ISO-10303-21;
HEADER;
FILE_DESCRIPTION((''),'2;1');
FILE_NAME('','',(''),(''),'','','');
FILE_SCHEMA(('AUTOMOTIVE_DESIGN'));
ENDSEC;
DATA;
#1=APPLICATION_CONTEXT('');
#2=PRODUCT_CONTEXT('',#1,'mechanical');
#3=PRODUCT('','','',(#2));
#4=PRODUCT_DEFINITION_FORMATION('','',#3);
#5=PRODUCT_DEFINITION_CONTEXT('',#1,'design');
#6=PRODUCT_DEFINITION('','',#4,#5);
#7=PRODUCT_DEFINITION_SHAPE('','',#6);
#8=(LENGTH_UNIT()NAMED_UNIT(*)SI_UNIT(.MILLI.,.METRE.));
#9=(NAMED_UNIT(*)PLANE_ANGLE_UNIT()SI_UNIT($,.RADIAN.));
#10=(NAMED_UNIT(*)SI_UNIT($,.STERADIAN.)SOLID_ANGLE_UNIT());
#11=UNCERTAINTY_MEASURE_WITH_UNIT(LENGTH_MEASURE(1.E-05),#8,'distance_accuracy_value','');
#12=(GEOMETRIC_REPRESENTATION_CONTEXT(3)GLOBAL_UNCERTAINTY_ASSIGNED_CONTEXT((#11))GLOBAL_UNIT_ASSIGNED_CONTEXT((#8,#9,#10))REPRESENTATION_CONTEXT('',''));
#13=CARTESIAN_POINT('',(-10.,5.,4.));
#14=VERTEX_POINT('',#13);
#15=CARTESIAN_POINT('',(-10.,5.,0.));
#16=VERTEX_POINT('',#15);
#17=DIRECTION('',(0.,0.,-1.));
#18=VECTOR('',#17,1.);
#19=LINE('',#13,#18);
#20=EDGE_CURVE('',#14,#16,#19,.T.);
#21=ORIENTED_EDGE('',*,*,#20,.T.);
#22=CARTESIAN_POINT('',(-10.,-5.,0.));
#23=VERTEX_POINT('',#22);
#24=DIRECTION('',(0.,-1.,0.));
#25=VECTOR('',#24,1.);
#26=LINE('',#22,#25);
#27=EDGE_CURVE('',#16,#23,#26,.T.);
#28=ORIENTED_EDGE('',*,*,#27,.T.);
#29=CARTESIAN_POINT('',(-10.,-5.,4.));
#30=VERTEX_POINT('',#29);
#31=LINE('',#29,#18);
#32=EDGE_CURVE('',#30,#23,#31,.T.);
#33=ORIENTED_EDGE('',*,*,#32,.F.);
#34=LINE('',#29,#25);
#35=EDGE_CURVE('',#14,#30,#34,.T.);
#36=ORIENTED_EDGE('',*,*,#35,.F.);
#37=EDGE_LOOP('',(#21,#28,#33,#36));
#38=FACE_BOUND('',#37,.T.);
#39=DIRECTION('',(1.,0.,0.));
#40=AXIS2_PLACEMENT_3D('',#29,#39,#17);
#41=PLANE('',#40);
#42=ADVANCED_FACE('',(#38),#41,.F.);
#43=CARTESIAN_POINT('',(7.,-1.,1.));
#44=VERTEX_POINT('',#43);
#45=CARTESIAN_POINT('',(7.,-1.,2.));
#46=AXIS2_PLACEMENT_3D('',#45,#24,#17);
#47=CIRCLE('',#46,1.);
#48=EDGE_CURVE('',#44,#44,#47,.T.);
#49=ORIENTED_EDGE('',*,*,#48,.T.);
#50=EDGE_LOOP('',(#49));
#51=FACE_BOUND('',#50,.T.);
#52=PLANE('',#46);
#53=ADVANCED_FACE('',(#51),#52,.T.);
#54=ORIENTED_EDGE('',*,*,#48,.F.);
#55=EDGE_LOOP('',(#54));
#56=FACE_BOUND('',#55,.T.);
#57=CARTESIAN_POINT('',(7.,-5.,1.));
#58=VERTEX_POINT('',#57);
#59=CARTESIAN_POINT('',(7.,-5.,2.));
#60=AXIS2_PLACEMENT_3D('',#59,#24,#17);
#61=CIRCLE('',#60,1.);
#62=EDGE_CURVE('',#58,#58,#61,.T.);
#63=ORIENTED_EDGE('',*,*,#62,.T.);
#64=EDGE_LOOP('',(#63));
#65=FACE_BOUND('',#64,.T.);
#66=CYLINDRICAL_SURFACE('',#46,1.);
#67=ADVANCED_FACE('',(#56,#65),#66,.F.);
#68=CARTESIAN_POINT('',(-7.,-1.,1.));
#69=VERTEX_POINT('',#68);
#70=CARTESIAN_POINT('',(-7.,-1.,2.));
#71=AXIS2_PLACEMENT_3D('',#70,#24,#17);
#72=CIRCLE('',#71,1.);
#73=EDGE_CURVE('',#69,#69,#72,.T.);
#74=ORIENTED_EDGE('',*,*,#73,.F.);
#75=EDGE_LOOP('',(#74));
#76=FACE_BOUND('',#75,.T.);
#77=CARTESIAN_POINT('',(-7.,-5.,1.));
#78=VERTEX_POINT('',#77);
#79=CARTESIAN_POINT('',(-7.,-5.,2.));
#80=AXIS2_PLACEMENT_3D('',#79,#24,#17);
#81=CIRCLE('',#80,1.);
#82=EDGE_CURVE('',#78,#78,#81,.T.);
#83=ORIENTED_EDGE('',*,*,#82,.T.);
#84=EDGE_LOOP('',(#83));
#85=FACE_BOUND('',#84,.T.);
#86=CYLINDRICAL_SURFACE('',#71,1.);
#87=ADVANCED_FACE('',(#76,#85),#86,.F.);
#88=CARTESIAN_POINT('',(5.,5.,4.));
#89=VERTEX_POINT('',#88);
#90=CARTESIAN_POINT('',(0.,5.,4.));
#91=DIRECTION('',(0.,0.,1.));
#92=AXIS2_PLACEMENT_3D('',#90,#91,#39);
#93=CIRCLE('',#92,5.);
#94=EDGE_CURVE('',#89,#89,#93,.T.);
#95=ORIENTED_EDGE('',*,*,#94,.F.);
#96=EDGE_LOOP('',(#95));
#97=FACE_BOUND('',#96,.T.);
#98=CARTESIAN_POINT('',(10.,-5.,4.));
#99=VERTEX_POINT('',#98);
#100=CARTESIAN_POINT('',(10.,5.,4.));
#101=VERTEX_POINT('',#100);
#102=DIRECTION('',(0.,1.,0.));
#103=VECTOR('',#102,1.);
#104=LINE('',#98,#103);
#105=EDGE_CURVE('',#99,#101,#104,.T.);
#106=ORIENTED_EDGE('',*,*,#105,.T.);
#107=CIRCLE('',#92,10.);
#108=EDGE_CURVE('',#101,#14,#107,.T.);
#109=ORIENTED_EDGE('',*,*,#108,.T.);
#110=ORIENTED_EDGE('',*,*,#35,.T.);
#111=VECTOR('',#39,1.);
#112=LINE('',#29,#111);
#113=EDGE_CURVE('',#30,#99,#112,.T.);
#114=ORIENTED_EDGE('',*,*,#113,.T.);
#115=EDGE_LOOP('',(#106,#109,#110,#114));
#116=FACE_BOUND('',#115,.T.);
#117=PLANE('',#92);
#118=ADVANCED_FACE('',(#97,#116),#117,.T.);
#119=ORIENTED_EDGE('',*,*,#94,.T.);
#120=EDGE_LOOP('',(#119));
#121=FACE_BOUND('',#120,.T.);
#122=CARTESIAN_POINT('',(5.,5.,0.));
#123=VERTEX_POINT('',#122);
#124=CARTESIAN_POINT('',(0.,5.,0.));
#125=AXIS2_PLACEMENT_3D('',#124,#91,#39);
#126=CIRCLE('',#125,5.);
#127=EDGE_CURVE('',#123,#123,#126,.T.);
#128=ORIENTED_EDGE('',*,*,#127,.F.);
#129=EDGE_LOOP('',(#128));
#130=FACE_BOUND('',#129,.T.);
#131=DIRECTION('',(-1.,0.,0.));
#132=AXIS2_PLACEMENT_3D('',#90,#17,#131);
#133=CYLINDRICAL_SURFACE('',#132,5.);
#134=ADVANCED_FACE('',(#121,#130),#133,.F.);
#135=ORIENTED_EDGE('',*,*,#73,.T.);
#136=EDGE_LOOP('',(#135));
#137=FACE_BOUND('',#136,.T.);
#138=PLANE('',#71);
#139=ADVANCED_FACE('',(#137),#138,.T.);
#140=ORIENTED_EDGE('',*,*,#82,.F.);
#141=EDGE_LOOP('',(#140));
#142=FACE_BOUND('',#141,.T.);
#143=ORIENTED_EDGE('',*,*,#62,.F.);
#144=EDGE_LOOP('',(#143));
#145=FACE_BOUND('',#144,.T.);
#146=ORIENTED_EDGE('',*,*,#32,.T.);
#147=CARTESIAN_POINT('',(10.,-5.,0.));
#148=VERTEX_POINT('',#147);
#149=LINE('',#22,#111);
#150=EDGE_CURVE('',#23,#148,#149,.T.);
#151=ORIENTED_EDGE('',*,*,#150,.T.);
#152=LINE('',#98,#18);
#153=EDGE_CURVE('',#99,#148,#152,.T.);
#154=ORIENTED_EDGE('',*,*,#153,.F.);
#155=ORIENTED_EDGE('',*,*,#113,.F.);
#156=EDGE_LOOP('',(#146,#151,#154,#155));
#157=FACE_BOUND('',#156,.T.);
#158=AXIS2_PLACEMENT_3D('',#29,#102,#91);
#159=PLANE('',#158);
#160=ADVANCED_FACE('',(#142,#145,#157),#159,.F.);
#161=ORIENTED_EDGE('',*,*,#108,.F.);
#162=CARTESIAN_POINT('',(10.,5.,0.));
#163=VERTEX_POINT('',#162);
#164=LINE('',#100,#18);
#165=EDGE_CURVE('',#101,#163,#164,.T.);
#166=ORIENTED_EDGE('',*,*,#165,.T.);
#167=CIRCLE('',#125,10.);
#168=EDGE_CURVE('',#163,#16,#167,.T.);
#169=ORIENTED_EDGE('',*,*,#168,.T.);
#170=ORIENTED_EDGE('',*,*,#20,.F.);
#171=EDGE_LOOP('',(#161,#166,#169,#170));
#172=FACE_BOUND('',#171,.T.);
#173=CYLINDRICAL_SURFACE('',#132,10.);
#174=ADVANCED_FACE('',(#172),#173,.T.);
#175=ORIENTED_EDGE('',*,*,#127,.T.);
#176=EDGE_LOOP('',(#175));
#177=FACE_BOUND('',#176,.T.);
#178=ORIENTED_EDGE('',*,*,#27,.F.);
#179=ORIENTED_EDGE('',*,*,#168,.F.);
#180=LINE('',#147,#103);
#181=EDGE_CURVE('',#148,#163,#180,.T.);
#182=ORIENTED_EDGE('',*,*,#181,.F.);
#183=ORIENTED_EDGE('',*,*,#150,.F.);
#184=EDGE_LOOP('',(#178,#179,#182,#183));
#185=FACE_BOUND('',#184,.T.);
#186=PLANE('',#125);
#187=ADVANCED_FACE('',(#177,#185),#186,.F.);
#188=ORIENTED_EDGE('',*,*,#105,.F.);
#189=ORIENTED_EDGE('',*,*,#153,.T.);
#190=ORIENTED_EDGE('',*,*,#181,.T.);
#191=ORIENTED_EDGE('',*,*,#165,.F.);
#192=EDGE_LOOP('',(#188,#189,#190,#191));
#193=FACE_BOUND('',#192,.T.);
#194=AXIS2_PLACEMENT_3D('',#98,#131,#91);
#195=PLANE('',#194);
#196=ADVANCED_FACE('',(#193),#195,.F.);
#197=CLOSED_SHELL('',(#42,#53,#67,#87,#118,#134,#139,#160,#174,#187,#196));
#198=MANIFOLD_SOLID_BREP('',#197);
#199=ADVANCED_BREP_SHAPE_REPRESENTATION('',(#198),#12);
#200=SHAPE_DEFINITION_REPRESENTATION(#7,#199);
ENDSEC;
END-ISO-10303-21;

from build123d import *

# Parameters (mm, degrees)
SKETCH1_R           = 5
BOSS_EXTRUDE1_DEPTH = 4
SKETCH2_R           = 1
CUT_EXTRUDE1_DEPTH  = 4


with BuildPart() as part:
    # Sketch1 → Boss-Extrude1 (new body)
    with BuildSketch(Plane.XY):
        with BuildLine():
            Line((-10, -5), (10, -5))
            Line((10, -5), (10, 5))
            ThreePointArc((10, 5), (0, 15), (-10, 5))
            Line((-10, 5), (-10, -5))
        make_face()
        with Locations((0, 5)):
            Circle(SKETCH1_R, mode=Mode.SUBTRACT)
    extrude(amount=BOSS_EXTRUDE1_DEPTH)

    # Sketch2 → Cut-Extrude1 (cut)
    with BuildSketch(Plane.XZ.offset(5)):
        with Locations((-7, 2)):
            Circle(SKETCH2_R)
        with Locations((7, 2)):
            Circle(SKETCH2_R)
    extrude(amount=-CUT_EXTRUDE1_DEPTH, mode=Mode.SUBTRACT)


solid = part.part
